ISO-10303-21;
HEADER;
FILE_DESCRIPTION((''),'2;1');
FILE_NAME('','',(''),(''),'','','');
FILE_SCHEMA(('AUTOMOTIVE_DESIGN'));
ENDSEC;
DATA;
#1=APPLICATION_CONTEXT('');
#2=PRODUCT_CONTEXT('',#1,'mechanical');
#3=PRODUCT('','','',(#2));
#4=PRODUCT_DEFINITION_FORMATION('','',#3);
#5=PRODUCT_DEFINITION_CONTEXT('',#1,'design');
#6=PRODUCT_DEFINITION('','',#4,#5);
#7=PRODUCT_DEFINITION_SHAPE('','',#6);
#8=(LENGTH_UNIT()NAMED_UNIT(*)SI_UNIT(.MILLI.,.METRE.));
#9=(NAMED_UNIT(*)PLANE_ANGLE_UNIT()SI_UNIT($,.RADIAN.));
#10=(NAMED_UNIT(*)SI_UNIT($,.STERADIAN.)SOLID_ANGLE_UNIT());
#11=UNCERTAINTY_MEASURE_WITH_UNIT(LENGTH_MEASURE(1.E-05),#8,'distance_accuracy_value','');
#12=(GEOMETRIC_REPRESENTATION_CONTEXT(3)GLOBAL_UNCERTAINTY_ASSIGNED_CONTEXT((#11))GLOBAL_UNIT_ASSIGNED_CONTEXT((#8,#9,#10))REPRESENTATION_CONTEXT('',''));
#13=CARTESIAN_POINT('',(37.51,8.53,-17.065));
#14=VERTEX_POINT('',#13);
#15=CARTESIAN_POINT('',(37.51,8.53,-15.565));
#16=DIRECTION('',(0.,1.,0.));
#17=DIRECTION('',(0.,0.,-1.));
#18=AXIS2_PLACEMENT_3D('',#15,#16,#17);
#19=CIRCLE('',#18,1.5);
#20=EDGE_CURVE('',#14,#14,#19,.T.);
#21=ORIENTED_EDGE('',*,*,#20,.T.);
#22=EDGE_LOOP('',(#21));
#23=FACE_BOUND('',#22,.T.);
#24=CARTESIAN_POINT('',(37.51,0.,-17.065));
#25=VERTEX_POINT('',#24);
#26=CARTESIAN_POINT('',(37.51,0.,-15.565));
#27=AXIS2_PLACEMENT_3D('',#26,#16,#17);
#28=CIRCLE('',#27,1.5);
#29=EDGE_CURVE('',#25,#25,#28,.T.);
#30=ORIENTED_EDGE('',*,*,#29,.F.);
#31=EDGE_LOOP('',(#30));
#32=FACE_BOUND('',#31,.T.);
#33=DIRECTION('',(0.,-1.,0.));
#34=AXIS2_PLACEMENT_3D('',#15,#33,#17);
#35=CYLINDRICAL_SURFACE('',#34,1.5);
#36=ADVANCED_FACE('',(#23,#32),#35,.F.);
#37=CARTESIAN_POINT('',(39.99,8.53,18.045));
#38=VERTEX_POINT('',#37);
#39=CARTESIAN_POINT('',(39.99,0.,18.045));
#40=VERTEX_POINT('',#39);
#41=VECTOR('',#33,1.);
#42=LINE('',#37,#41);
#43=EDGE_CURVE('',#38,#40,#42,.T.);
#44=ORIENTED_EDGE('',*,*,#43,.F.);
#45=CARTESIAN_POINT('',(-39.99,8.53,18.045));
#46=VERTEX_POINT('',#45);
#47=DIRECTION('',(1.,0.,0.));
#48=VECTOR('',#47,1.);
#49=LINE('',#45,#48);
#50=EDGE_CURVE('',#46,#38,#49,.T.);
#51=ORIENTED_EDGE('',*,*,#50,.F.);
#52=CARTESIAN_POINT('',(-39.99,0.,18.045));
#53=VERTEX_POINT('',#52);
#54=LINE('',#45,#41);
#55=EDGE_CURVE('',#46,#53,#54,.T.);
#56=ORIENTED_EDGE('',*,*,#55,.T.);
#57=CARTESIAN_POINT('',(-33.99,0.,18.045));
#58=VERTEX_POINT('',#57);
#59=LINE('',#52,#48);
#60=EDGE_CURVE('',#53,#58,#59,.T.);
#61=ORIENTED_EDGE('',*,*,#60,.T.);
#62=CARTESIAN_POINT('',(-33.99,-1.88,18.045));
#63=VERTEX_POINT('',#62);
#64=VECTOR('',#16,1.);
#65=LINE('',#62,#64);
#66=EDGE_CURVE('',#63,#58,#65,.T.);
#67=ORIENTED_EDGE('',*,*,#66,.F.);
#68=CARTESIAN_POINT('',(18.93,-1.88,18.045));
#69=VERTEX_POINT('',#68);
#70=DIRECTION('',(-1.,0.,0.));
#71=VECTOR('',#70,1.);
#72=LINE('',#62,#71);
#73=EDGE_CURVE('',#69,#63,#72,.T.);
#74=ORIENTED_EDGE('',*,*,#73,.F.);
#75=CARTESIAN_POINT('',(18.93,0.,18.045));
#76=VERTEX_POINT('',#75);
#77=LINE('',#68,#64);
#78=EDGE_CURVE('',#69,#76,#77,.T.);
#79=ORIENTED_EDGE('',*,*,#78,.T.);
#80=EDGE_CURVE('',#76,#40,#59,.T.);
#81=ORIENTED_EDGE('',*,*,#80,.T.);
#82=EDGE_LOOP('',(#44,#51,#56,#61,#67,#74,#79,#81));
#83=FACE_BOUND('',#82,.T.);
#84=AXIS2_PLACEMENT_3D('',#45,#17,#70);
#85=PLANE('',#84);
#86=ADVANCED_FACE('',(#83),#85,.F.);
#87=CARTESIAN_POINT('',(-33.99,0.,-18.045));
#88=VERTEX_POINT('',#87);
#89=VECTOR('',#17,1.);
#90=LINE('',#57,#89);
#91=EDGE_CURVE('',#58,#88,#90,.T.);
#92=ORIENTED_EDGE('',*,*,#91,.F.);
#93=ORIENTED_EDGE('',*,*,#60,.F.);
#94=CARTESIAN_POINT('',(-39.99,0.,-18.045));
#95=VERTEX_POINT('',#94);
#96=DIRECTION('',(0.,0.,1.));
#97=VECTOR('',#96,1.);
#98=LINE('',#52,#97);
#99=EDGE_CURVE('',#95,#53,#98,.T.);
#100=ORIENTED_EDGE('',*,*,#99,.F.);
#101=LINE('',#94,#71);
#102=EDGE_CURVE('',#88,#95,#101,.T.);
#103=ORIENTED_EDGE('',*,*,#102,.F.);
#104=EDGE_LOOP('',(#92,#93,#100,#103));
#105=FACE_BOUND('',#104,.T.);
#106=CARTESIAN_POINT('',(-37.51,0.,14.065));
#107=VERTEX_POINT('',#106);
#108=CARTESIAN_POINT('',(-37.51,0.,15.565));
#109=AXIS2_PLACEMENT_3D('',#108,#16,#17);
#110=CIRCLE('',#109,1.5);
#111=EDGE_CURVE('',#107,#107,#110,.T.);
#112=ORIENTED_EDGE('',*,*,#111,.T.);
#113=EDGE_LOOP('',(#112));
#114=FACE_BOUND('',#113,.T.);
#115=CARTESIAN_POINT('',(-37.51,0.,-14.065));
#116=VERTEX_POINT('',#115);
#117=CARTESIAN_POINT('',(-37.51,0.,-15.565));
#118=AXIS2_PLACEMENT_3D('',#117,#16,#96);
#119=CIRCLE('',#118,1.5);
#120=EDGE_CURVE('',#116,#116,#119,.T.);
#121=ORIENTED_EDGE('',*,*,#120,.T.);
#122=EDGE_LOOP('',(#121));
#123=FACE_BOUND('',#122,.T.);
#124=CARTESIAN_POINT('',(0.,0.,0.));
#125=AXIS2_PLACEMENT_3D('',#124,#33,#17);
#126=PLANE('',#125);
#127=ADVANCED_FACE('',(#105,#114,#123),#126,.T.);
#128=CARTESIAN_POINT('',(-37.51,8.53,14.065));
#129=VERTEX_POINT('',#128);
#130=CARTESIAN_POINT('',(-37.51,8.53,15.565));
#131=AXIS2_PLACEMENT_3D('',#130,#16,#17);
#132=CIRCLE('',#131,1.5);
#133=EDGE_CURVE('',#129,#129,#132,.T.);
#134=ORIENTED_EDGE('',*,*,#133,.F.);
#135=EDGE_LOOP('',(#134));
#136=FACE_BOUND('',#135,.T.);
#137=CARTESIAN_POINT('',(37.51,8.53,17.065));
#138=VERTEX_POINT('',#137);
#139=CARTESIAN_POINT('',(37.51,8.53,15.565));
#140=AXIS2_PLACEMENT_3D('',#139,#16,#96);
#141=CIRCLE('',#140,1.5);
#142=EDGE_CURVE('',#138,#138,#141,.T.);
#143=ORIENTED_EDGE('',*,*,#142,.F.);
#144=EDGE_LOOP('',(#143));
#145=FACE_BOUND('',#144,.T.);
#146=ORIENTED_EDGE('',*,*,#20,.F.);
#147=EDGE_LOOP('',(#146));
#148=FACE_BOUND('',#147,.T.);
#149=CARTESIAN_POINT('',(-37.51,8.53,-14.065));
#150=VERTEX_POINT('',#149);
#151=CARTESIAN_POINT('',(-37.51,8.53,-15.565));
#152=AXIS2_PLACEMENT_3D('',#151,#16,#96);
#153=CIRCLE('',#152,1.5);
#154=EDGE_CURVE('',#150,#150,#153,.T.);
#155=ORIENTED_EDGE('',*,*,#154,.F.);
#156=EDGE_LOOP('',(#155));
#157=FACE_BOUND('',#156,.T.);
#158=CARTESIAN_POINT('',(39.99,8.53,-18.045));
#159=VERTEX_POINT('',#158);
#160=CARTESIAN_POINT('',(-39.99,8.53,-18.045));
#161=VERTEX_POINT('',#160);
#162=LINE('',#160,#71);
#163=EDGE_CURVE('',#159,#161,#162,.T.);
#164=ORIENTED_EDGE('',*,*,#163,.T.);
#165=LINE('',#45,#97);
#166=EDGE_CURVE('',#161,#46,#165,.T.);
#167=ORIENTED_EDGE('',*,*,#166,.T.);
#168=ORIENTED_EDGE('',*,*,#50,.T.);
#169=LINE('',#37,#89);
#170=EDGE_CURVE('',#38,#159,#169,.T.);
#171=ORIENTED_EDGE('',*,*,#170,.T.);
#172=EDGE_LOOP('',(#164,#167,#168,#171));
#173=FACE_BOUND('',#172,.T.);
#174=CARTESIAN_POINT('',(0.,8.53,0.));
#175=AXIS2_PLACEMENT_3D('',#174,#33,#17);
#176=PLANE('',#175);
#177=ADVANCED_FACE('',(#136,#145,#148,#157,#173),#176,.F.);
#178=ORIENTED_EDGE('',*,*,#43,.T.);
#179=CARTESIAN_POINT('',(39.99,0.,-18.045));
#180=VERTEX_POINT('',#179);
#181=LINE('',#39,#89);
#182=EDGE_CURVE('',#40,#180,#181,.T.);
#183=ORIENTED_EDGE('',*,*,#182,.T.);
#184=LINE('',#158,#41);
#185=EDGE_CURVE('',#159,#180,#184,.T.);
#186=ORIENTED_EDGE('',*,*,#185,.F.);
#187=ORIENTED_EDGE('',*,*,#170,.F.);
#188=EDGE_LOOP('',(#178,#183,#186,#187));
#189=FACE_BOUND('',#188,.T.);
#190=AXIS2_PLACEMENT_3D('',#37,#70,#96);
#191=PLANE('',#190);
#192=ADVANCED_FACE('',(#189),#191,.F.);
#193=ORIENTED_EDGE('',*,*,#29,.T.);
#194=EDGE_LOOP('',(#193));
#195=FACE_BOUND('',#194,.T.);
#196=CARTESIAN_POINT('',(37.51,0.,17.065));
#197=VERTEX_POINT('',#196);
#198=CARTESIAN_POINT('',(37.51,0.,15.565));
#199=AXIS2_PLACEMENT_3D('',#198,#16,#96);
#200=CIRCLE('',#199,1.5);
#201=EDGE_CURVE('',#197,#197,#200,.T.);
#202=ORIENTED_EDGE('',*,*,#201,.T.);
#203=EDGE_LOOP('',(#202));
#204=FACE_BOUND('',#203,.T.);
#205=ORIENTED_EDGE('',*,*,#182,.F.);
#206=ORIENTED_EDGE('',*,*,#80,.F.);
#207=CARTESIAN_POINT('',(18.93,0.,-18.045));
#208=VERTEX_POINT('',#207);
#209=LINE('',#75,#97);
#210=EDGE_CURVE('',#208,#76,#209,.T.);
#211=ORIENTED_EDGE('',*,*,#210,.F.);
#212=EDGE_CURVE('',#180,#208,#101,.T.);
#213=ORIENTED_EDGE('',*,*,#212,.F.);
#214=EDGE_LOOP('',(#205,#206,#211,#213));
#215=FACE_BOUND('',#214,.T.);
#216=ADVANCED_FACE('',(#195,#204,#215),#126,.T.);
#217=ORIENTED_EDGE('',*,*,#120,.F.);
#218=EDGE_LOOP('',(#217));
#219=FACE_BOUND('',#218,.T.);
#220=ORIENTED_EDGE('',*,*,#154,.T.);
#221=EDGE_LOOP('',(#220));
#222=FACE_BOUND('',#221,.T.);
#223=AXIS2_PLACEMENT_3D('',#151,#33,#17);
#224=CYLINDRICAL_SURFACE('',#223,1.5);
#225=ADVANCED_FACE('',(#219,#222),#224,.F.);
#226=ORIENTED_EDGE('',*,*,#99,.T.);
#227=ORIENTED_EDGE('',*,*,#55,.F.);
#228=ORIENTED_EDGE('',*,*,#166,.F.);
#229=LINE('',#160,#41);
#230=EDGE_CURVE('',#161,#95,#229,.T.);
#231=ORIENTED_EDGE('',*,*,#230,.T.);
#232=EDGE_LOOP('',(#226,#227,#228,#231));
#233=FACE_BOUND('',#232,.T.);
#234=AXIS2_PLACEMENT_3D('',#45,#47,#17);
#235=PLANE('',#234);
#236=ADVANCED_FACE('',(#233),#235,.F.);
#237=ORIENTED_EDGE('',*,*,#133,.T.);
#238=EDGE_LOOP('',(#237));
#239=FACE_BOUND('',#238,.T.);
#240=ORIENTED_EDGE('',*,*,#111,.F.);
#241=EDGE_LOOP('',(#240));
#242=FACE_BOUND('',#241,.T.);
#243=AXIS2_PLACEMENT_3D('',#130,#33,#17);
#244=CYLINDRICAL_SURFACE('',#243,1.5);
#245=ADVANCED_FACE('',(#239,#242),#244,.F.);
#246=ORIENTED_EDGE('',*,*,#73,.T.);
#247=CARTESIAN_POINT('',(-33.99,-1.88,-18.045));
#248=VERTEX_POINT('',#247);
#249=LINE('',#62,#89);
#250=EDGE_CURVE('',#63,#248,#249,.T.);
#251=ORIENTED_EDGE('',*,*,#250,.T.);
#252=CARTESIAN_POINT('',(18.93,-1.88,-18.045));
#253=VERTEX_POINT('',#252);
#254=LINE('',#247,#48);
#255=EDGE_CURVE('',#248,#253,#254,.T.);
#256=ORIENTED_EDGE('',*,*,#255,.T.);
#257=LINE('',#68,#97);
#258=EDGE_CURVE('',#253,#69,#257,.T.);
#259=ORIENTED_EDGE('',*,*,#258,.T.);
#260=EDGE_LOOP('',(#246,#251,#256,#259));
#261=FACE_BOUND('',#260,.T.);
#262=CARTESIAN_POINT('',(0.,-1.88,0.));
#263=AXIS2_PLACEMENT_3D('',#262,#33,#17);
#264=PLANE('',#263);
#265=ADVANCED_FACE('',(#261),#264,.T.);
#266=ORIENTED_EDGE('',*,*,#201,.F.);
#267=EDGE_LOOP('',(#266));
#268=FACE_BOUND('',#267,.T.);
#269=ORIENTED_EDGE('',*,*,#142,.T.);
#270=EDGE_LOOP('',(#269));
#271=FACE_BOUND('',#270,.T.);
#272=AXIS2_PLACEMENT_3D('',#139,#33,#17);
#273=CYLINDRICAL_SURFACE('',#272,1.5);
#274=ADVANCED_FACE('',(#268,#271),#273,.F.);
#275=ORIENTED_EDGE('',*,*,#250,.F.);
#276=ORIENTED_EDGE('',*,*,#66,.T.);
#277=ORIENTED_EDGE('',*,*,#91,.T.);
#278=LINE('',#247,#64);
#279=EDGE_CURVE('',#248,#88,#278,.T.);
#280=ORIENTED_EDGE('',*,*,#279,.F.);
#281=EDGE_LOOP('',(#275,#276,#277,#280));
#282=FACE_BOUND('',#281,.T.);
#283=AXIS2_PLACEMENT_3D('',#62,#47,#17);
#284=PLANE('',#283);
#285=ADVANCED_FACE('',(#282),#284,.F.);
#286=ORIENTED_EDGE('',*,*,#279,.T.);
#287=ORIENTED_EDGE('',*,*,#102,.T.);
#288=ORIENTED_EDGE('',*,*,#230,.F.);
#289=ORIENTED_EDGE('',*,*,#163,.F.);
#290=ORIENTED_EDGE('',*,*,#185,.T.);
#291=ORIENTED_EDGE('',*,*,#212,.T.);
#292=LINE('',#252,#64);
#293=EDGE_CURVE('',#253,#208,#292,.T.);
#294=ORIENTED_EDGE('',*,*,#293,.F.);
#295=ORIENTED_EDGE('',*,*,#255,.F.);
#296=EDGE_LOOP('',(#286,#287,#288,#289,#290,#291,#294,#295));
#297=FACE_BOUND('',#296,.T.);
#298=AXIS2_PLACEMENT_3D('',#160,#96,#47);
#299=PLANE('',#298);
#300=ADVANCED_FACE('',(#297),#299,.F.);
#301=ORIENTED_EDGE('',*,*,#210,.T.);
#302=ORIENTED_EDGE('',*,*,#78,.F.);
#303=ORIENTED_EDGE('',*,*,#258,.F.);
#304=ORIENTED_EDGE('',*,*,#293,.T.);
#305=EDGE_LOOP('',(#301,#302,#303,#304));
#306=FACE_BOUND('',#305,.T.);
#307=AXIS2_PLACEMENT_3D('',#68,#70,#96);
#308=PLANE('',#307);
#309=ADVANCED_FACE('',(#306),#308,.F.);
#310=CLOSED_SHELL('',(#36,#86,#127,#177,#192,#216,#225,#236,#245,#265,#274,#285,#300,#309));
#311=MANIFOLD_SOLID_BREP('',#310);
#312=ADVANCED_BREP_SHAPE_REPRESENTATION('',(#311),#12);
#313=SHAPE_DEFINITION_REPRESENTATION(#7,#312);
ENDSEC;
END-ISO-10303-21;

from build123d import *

# Parameters (mm, degrees)
SKETCH1_W           = 79.98
SKETCH1_H           = 36.09
SKETCH1_R           = 1.5
BOSS_EXTRUDE1_DEPTH = 8.53
SKETCH2_W           = 52.92
SKETCH2_H           = 36.09
BOSS_EXTRUDE2_DEPTH = 1.88


with BuildPart() as part:
    # Sketch1 → Boss-Extrude1 (new body)
    with BuildSketch(Plane(origin=(0, 0, 0), x_dir=(1, 0, 0), z_dir=(0, 1, 0))):
        Rectangle(SKETCH1_W, SKETCH1_H)
        with Locations(Location((-37.51, 15.565, 0), (0, 0, 270))):
            Circle(SKETCH1_R, mode=Mode.SUBTRACT)
        with Locations(Location((37.51, 15.565, 0), (0, 0, 90))):
            Circle(SKETCH1_R, mode=Mode.SUBTRACT)
        with Locations(Location((37.51, -15.565, 0), (0, 0, 270))):
            Circle(SKETCH1_R, mode=Mode.SUBTRACT)
        with Locations(Location((-37.51, -15.565, 0), (0, 0, 90))):
            Circle(SKETCH1_R, mode=Mode.SUBTRACT)
    extrude(amount=BOSS_EXTRUDE1_DEPTH)

    # Sketch2 → Boss-Extrude2 (add)
    with BuildSketch(Plane.XZ):
        with Locations((-7.53, 0)):
            Rectangle(SKETCH2_W, SKETCH2_H)
    extrude(amount=BOSS_EXTRUDE2_DEPTH)


solid = part.part
